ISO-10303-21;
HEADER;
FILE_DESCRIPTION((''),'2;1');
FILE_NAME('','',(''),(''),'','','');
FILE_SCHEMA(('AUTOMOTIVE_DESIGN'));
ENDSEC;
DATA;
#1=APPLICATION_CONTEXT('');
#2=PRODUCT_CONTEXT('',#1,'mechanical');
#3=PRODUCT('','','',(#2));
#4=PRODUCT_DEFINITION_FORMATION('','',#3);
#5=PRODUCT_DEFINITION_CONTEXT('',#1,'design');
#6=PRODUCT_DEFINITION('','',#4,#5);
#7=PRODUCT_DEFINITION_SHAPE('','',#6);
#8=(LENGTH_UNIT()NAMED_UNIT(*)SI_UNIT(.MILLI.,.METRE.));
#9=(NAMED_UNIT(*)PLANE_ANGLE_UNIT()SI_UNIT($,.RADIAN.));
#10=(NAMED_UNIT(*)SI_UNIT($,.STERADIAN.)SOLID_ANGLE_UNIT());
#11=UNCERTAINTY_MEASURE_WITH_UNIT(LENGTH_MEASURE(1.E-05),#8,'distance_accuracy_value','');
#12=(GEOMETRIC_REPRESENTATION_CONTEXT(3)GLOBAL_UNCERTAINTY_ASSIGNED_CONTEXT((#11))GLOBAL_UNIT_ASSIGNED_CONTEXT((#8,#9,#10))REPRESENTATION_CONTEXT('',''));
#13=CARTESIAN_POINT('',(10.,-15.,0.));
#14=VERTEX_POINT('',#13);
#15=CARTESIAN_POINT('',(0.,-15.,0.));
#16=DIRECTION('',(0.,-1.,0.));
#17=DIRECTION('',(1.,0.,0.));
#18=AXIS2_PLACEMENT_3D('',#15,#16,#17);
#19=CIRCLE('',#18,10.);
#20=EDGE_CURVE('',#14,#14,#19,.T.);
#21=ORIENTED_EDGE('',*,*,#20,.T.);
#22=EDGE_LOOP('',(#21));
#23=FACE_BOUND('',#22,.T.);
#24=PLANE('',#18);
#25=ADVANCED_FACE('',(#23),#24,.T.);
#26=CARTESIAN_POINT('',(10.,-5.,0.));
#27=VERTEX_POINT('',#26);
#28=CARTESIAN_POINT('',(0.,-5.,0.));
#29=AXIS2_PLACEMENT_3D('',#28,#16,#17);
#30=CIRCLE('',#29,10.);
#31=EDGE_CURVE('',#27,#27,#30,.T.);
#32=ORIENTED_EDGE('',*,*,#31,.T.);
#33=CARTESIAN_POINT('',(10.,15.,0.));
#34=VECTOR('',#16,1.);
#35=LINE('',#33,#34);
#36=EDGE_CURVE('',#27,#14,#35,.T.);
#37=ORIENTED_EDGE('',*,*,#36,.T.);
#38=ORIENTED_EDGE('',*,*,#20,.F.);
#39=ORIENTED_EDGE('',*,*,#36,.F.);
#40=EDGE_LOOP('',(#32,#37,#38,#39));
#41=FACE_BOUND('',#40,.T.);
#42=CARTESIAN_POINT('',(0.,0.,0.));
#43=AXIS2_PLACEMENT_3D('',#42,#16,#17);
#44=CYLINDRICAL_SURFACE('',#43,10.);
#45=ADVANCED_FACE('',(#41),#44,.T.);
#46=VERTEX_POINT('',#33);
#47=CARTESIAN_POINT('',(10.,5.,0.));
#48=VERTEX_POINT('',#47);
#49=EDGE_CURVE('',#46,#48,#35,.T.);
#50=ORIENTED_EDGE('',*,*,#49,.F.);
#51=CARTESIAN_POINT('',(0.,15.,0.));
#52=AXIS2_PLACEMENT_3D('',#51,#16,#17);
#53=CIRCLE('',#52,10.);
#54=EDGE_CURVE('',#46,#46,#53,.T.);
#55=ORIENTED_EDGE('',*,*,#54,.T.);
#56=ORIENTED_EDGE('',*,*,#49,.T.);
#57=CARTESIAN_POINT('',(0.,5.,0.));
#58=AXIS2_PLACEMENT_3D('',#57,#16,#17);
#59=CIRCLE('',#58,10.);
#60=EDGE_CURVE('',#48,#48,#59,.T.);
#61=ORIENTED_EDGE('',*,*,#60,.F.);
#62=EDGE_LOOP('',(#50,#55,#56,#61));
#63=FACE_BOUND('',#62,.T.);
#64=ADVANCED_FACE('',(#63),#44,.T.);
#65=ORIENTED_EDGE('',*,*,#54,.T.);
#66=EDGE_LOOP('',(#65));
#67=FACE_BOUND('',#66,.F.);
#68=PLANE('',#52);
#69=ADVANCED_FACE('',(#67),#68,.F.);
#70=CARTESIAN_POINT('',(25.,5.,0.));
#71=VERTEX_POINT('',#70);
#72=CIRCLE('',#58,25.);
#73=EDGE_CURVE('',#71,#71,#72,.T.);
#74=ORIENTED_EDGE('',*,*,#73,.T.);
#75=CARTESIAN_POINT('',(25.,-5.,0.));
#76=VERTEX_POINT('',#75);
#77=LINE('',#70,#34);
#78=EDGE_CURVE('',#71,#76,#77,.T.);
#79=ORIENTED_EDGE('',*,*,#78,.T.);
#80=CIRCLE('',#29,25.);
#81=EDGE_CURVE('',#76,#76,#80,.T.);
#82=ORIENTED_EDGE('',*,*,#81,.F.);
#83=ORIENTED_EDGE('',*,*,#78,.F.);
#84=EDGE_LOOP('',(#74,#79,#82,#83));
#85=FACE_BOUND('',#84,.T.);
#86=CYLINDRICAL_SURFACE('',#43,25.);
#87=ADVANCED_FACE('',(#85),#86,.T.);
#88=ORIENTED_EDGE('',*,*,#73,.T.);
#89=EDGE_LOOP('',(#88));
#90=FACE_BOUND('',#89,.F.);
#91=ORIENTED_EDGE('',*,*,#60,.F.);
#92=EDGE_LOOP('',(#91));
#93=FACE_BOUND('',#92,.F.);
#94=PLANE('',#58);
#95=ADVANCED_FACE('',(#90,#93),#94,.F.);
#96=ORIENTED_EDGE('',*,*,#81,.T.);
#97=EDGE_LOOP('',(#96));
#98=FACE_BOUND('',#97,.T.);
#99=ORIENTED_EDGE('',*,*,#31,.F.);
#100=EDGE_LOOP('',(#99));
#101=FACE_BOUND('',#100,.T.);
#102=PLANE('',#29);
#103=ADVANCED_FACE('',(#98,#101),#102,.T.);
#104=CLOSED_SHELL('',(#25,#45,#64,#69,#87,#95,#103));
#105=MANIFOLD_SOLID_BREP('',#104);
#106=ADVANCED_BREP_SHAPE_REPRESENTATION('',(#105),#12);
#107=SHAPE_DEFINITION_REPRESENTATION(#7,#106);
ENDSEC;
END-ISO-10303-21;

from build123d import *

# Parameters (mm, degrees)
F0_R     = 10
F1_DEPTH = 15
F2_DEPTH = 15
F0_R_2   = 25
F3_DEPTH = 5
F4_DEPTH = 5


with BuildPart() as f1:
    # F0 (on Front) → F1 (new body)
    with BuildSketch(Plane.XZ):
        Circle(F0_R)
    extrude(amount=F1_DEPTH)

    # F0 (on Front) → F2 (join)
    with BuildSketch(Plane.XZ):
        Circle(F0_R)
    extrude(amount=-F2_DEPTH)

    # F0 (on Front) → F3 (join)
    with BuildSketch(Plane.XZ):
        Circle(F0_R_2)
        Circle(F0_R, mode=Mode.SUBTRACT)
    extrude(amount=F3_DEPTH)

    # F0 (on Front) → F4 (join)
    with BuildSketch(Plane.XZ):
        Circle(F0_R_2)
        Circle(F0_R, mode=Mode.SUBTRACT)
    extrude(amount=-F4_DEPTH)


solid = f1.part
